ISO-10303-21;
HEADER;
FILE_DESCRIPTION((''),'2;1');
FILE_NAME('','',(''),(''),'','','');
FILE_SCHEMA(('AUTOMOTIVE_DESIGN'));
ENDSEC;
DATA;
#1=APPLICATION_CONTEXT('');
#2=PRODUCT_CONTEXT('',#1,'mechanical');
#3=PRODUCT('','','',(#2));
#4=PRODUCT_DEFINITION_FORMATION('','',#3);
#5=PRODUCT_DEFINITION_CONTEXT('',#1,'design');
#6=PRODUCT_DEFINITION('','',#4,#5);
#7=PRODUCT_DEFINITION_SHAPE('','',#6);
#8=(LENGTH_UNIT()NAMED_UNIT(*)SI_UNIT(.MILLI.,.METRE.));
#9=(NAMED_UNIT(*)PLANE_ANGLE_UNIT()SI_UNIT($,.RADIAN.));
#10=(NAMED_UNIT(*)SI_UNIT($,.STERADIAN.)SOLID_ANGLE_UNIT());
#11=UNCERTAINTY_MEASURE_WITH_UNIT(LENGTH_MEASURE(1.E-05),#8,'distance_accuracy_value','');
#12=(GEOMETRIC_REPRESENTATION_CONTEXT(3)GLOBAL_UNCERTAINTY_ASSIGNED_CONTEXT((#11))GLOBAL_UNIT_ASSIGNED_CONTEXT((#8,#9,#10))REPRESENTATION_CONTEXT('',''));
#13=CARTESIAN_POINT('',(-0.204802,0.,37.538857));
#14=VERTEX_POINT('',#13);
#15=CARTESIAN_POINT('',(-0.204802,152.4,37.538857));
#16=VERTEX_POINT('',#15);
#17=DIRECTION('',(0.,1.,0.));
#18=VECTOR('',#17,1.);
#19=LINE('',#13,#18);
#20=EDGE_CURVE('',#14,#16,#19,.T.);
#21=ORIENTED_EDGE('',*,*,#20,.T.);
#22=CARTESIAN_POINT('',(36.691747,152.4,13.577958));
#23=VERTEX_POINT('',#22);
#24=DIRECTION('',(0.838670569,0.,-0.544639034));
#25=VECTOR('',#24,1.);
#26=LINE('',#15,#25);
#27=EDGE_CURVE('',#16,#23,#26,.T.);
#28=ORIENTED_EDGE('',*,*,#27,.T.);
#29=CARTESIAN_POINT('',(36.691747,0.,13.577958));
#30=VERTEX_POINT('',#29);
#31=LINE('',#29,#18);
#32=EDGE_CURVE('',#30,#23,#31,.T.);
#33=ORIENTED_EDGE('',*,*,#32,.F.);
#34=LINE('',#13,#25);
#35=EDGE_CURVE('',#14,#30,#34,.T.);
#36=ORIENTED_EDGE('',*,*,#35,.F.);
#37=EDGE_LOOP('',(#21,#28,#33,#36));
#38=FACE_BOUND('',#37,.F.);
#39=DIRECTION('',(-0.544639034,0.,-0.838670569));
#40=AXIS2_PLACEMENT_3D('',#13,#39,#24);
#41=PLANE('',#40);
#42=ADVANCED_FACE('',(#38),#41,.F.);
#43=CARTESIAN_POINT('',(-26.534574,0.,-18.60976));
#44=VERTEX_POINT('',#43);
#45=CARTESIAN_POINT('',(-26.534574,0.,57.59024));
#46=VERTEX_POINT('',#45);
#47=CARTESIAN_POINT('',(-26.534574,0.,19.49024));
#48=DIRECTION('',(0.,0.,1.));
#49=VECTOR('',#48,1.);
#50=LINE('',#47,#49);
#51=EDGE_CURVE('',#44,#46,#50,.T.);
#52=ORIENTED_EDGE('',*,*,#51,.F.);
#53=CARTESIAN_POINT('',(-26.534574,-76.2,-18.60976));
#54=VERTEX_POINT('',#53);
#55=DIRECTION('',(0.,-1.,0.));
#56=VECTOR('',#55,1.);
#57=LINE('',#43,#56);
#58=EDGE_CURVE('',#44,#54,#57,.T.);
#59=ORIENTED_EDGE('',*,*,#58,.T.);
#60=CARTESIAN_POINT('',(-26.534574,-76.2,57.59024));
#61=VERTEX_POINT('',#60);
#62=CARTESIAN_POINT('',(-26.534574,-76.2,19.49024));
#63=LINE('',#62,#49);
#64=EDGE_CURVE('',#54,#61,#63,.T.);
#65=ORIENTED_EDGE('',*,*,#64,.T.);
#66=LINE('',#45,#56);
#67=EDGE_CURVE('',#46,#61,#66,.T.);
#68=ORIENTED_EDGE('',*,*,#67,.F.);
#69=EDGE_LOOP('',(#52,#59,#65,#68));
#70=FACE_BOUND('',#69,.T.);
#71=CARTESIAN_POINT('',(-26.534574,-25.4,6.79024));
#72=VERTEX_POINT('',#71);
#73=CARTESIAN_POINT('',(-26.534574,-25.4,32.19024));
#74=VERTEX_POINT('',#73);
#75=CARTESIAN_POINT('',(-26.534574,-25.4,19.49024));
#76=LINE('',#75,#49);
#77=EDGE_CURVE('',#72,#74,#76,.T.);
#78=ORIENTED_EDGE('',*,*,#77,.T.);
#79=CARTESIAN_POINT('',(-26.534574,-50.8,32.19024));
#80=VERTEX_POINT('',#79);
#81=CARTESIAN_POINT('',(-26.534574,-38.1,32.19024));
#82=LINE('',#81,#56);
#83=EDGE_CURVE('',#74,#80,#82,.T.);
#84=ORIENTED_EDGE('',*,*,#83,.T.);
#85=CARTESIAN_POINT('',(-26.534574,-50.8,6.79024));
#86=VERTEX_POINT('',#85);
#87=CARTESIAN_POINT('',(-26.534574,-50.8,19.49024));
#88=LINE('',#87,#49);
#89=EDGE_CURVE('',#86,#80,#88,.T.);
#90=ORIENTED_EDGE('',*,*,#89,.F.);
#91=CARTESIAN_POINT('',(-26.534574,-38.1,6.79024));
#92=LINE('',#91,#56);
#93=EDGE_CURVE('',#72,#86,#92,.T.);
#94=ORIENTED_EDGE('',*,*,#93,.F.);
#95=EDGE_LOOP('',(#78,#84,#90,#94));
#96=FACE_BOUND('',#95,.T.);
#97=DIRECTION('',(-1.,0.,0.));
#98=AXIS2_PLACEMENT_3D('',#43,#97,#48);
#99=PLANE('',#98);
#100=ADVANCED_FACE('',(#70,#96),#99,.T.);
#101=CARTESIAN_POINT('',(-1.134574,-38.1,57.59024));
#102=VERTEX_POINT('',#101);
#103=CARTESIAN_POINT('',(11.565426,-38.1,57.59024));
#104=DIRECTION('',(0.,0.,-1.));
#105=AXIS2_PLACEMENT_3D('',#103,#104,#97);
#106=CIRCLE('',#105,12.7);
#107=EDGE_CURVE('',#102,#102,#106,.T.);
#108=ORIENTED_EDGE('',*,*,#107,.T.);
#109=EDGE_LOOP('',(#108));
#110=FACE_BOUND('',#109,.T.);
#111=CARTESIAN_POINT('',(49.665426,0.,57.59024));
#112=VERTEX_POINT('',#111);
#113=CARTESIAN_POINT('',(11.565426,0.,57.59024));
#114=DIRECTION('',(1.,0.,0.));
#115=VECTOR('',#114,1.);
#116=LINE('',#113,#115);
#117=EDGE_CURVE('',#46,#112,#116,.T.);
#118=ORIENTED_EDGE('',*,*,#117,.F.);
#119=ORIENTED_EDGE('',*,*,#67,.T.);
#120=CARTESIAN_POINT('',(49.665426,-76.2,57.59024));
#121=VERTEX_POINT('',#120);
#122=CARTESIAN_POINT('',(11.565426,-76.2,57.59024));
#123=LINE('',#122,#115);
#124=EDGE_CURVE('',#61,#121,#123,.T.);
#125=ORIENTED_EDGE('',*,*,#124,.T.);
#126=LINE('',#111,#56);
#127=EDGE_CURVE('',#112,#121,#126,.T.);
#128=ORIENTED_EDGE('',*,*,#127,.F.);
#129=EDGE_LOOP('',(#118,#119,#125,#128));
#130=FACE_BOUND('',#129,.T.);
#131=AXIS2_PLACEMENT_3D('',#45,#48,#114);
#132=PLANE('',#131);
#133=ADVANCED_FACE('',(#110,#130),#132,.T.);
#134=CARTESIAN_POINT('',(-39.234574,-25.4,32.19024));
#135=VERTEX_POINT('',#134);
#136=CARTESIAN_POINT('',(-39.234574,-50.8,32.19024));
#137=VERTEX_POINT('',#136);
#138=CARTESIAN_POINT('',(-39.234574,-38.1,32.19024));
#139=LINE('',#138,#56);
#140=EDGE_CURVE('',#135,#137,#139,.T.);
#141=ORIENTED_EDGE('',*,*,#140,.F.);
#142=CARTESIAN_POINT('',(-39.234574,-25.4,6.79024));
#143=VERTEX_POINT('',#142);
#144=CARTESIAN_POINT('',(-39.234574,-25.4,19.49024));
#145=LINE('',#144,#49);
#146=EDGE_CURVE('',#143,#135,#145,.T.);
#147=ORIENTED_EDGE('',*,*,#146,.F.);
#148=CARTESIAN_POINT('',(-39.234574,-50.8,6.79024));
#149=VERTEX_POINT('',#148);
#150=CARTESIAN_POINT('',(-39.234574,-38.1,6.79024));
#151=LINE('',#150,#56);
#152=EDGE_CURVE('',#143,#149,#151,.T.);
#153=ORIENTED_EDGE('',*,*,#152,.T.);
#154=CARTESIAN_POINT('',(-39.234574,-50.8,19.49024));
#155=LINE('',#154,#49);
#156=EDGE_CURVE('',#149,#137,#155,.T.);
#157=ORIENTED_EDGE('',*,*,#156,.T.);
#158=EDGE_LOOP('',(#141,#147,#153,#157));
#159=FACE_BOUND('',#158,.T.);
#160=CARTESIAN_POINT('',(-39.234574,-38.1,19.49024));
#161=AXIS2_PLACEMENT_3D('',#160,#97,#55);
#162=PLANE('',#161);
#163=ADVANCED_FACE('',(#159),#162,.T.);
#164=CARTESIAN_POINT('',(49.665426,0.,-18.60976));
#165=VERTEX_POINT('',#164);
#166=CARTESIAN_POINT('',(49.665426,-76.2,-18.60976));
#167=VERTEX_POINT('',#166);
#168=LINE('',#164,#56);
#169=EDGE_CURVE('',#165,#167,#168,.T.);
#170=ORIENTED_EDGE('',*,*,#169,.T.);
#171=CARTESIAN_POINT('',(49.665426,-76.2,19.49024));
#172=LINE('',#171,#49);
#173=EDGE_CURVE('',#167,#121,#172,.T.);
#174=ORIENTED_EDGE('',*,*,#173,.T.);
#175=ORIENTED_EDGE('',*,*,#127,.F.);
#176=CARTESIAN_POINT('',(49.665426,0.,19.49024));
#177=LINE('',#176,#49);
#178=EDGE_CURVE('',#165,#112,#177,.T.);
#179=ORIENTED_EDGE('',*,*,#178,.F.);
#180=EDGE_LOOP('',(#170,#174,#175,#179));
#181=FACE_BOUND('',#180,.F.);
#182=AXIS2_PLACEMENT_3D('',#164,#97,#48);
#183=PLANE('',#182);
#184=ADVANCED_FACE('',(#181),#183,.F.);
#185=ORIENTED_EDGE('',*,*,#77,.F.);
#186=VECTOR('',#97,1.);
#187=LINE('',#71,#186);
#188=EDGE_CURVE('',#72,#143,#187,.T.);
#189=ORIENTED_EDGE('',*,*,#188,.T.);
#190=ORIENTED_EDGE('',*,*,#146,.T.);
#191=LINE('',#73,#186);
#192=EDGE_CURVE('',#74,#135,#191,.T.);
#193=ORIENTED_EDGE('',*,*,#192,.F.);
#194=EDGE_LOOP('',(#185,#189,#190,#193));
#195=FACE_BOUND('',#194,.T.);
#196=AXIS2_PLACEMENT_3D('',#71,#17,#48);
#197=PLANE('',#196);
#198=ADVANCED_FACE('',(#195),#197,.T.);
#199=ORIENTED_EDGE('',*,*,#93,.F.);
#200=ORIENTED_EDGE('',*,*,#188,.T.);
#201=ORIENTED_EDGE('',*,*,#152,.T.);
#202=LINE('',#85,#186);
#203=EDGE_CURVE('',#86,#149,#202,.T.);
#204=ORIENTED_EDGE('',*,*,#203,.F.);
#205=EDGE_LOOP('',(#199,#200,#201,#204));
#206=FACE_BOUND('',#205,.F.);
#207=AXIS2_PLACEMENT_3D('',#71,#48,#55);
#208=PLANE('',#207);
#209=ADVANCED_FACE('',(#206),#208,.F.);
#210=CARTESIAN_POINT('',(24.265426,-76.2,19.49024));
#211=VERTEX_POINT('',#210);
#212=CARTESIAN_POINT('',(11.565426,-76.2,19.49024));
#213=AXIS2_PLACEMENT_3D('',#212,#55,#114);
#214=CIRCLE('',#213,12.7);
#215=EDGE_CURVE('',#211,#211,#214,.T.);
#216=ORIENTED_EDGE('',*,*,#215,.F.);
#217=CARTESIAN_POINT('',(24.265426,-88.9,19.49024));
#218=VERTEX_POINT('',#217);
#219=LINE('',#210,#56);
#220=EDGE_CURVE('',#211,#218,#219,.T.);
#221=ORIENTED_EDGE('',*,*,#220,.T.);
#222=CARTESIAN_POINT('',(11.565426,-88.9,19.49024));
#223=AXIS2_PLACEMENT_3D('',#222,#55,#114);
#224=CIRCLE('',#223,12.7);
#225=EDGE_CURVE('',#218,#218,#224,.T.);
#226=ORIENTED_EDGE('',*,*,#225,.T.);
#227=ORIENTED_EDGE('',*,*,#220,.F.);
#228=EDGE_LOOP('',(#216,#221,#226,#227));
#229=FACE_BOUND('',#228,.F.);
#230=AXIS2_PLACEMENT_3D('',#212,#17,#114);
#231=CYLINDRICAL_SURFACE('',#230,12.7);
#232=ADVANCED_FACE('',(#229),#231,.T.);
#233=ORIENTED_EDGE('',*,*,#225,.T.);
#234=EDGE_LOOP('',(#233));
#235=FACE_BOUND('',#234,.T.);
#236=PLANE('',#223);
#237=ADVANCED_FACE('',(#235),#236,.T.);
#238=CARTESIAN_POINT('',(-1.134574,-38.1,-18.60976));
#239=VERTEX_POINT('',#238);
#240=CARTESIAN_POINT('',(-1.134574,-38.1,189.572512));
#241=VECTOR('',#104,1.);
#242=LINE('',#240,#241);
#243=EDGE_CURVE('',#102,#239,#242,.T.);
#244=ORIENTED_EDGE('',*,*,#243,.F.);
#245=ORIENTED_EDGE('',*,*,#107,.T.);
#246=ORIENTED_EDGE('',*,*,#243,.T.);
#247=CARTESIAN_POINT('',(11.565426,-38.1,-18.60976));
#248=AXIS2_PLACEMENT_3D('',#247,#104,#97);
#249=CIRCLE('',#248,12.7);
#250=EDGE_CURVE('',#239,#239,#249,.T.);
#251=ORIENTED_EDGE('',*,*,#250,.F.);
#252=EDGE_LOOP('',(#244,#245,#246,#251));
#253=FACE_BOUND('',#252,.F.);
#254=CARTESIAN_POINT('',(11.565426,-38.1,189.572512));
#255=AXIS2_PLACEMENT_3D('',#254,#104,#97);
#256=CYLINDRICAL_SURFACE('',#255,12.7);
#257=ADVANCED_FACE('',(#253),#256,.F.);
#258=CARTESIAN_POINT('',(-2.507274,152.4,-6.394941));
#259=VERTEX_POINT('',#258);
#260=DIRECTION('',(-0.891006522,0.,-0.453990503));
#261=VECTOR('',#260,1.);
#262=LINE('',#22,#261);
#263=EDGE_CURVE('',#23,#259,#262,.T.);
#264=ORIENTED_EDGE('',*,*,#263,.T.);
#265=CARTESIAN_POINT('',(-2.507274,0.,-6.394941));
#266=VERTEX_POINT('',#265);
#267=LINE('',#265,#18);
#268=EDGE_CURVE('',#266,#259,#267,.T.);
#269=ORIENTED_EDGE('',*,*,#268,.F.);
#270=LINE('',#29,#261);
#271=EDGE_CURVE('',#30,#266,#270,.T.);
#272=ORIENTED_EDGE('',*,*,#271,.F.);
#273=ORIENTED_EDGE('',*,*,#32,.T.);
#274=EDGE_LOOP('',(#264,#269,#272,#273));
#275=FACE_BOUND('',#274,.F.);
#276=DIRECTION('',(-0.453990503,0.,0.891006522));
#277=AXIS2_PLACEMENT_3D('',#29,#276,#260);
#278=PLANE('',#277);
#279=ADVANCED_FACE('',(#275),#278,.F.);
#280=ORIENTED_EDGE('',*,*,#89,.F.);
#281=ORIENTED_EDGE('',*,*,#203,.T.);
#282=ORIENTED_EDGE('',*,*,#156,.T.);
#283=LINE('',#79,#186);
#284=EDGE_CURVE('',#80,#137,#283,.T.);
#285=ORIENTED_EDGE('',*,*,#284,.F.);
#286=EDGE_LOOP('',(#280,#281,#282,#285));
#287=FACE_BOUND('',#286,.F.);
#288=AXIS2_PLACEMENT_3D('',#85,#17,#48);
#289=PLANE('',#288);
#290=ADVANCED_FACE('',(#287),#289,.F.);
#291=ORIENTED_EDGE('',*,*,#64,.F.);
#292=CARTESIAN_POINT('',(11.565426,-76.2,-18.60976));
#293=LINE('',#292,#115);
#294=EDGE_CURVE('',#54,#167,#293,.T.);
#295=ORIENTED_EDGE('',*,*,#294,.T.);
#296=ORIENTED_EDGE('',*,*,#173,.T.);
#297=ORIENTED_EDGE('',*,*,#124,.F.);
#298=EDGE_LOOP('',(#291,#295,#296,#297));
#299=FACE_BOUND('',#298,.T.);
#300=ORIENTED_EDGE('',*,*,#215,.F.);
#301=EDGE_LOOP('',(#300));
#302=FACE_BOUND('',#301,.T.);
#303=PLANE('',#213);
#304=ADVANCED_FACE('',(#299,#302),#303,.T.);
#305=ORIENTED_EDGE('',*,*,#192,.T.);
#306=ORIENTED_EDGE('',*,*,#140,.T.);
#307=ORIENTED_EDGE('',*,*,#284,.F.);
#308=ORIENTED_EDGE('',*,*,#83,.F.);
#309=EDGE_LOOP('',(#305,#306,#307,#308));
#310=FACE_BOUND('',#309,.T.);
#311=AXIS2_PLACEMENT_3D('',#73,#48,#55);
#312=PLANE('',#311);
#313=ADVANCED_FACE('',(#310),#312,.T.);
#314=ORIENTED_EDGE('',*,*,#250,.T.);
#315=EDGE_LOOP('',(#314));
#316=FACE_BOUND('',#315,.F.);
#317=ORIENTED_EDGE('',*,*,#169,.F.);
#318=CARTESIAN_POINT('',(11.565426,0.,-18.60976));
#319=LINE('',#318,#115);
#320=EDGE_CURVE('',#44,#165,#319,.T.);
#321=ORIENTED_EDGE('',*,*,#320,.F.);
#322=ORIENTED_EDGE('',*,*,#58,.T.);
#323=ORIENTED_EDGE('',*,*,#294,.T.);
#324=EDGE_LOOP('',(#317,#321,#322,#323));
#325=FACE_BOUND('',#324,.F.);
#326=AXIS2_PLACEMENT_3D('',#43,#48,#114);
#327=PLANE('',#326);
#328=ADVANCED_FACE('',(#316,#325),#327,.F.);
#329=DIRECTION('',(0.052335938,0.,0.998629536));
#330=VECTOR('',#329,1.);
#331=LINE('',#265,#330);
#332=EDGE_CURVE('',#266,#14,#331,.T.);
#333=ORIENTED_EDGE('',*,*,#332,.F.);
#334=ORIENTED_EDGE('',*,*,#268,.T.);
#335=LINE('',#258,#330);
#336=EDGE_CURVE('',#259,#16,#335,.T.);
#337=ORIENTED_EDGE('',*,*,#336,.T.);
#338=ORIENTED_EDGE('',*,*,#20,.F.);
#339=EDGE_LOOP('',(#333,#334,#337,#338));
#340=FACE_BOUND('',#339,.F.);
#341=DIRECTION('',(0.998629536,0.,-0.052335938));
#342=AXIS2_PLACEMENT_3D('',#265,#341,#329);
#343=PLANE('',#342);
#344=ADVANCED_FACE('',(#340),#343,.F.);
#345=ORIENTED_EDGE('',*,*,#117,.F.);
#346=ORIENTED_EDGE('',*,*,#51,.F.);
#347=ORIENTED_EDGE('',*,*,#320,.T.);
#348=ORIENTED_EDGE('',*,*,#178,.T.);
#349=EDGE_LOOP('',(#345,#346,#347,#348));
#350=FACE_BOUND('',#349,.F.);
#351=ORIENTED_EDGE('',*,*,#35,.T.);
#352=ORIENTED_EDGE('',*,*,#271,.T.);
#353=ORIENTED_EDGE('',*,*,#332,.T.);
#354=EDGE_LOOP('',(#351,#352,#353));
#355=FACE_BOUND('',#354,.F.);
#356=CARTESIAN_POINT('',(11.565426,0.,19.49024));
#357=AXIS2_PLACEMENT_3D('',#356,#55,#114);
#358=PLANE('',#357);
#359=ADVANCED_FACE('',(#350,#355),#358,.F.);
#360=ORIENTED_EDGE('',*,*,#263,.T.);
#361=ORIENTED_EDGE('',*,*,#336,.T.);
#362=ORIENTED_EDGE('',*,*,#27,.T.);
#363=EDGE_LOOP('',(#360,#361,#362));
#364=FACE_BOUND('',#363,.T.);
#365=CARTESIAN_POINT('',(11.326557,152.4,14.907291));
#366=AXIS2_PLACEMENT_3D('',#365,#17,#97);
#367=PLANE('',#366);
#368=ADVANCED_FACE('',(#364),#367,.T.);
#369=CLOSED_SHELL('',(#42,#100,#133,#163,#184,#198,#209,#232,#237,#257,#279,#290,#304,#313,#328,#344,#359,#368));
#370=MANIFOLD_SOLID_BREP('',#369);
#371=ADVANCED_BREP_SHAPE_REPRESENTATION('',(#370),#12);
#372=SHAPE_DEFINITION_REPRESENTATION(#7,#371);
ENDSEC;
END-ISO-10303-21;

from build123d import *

# Parameters (mm, degrees)
F0_W     = 76.2
F0_H     = 76.2
F1_DEPTH = 76.2
F3_D     = 25.4
F4_W     = 25.4
F4_H     = 25.4
F5_DEPTH = 12.7
F6_R     = 12.7
F7_DEPTH = 12.7
F9_DEPTH = 152.4


with BuildPart() as f1:
    # F0 (on Front) → F1 (new body)
    with BuildSketch(Plane.XZ):
        with Locations((11.565426, 19.49024)):
            Rectangle(F0_W, F0_H)
    extrude(amount=F1_DEPTH)

    # F3 (through all)
    with Locations(Plane.XY.offset(57.59024)):
        with Locations((11.565426, -38.1)):
            Hole(F3_D / 2)

    # F4 (on face) → F5 (join)
    with BuildSketch(Plane(origin=(-26.534574, 0, 0), x_dir=(0, -1, 0), z_dir=(-1, 0, 0))):
        with Locations((38.1, 19.49024)):
            Rectangle(F4_W, F4_H)
    extrude(amount=F5_DEPTH)

    # F6 (on face) → F7 (join)
    with BuildSketch(Plane.XZ.offset(76.2)):
        with Locations((11.565426, 19.49024)):
            Circle(F6_R)
    extrude(amount=F7_DEPTH)

    # F8 (on face) → F9 (join)
    with BuildSketch(Plane(origin=(0, 0, 0), x_dir=(-1, 0, 0), z_dir=(0, 1, 0))):
        Polygon((0.204802, 37.538857), (-36.691747, 13.577958), (2.507274, -6.394941), align=None)
    extrude(amount=F9_DEPTH)


solid = f1.part
